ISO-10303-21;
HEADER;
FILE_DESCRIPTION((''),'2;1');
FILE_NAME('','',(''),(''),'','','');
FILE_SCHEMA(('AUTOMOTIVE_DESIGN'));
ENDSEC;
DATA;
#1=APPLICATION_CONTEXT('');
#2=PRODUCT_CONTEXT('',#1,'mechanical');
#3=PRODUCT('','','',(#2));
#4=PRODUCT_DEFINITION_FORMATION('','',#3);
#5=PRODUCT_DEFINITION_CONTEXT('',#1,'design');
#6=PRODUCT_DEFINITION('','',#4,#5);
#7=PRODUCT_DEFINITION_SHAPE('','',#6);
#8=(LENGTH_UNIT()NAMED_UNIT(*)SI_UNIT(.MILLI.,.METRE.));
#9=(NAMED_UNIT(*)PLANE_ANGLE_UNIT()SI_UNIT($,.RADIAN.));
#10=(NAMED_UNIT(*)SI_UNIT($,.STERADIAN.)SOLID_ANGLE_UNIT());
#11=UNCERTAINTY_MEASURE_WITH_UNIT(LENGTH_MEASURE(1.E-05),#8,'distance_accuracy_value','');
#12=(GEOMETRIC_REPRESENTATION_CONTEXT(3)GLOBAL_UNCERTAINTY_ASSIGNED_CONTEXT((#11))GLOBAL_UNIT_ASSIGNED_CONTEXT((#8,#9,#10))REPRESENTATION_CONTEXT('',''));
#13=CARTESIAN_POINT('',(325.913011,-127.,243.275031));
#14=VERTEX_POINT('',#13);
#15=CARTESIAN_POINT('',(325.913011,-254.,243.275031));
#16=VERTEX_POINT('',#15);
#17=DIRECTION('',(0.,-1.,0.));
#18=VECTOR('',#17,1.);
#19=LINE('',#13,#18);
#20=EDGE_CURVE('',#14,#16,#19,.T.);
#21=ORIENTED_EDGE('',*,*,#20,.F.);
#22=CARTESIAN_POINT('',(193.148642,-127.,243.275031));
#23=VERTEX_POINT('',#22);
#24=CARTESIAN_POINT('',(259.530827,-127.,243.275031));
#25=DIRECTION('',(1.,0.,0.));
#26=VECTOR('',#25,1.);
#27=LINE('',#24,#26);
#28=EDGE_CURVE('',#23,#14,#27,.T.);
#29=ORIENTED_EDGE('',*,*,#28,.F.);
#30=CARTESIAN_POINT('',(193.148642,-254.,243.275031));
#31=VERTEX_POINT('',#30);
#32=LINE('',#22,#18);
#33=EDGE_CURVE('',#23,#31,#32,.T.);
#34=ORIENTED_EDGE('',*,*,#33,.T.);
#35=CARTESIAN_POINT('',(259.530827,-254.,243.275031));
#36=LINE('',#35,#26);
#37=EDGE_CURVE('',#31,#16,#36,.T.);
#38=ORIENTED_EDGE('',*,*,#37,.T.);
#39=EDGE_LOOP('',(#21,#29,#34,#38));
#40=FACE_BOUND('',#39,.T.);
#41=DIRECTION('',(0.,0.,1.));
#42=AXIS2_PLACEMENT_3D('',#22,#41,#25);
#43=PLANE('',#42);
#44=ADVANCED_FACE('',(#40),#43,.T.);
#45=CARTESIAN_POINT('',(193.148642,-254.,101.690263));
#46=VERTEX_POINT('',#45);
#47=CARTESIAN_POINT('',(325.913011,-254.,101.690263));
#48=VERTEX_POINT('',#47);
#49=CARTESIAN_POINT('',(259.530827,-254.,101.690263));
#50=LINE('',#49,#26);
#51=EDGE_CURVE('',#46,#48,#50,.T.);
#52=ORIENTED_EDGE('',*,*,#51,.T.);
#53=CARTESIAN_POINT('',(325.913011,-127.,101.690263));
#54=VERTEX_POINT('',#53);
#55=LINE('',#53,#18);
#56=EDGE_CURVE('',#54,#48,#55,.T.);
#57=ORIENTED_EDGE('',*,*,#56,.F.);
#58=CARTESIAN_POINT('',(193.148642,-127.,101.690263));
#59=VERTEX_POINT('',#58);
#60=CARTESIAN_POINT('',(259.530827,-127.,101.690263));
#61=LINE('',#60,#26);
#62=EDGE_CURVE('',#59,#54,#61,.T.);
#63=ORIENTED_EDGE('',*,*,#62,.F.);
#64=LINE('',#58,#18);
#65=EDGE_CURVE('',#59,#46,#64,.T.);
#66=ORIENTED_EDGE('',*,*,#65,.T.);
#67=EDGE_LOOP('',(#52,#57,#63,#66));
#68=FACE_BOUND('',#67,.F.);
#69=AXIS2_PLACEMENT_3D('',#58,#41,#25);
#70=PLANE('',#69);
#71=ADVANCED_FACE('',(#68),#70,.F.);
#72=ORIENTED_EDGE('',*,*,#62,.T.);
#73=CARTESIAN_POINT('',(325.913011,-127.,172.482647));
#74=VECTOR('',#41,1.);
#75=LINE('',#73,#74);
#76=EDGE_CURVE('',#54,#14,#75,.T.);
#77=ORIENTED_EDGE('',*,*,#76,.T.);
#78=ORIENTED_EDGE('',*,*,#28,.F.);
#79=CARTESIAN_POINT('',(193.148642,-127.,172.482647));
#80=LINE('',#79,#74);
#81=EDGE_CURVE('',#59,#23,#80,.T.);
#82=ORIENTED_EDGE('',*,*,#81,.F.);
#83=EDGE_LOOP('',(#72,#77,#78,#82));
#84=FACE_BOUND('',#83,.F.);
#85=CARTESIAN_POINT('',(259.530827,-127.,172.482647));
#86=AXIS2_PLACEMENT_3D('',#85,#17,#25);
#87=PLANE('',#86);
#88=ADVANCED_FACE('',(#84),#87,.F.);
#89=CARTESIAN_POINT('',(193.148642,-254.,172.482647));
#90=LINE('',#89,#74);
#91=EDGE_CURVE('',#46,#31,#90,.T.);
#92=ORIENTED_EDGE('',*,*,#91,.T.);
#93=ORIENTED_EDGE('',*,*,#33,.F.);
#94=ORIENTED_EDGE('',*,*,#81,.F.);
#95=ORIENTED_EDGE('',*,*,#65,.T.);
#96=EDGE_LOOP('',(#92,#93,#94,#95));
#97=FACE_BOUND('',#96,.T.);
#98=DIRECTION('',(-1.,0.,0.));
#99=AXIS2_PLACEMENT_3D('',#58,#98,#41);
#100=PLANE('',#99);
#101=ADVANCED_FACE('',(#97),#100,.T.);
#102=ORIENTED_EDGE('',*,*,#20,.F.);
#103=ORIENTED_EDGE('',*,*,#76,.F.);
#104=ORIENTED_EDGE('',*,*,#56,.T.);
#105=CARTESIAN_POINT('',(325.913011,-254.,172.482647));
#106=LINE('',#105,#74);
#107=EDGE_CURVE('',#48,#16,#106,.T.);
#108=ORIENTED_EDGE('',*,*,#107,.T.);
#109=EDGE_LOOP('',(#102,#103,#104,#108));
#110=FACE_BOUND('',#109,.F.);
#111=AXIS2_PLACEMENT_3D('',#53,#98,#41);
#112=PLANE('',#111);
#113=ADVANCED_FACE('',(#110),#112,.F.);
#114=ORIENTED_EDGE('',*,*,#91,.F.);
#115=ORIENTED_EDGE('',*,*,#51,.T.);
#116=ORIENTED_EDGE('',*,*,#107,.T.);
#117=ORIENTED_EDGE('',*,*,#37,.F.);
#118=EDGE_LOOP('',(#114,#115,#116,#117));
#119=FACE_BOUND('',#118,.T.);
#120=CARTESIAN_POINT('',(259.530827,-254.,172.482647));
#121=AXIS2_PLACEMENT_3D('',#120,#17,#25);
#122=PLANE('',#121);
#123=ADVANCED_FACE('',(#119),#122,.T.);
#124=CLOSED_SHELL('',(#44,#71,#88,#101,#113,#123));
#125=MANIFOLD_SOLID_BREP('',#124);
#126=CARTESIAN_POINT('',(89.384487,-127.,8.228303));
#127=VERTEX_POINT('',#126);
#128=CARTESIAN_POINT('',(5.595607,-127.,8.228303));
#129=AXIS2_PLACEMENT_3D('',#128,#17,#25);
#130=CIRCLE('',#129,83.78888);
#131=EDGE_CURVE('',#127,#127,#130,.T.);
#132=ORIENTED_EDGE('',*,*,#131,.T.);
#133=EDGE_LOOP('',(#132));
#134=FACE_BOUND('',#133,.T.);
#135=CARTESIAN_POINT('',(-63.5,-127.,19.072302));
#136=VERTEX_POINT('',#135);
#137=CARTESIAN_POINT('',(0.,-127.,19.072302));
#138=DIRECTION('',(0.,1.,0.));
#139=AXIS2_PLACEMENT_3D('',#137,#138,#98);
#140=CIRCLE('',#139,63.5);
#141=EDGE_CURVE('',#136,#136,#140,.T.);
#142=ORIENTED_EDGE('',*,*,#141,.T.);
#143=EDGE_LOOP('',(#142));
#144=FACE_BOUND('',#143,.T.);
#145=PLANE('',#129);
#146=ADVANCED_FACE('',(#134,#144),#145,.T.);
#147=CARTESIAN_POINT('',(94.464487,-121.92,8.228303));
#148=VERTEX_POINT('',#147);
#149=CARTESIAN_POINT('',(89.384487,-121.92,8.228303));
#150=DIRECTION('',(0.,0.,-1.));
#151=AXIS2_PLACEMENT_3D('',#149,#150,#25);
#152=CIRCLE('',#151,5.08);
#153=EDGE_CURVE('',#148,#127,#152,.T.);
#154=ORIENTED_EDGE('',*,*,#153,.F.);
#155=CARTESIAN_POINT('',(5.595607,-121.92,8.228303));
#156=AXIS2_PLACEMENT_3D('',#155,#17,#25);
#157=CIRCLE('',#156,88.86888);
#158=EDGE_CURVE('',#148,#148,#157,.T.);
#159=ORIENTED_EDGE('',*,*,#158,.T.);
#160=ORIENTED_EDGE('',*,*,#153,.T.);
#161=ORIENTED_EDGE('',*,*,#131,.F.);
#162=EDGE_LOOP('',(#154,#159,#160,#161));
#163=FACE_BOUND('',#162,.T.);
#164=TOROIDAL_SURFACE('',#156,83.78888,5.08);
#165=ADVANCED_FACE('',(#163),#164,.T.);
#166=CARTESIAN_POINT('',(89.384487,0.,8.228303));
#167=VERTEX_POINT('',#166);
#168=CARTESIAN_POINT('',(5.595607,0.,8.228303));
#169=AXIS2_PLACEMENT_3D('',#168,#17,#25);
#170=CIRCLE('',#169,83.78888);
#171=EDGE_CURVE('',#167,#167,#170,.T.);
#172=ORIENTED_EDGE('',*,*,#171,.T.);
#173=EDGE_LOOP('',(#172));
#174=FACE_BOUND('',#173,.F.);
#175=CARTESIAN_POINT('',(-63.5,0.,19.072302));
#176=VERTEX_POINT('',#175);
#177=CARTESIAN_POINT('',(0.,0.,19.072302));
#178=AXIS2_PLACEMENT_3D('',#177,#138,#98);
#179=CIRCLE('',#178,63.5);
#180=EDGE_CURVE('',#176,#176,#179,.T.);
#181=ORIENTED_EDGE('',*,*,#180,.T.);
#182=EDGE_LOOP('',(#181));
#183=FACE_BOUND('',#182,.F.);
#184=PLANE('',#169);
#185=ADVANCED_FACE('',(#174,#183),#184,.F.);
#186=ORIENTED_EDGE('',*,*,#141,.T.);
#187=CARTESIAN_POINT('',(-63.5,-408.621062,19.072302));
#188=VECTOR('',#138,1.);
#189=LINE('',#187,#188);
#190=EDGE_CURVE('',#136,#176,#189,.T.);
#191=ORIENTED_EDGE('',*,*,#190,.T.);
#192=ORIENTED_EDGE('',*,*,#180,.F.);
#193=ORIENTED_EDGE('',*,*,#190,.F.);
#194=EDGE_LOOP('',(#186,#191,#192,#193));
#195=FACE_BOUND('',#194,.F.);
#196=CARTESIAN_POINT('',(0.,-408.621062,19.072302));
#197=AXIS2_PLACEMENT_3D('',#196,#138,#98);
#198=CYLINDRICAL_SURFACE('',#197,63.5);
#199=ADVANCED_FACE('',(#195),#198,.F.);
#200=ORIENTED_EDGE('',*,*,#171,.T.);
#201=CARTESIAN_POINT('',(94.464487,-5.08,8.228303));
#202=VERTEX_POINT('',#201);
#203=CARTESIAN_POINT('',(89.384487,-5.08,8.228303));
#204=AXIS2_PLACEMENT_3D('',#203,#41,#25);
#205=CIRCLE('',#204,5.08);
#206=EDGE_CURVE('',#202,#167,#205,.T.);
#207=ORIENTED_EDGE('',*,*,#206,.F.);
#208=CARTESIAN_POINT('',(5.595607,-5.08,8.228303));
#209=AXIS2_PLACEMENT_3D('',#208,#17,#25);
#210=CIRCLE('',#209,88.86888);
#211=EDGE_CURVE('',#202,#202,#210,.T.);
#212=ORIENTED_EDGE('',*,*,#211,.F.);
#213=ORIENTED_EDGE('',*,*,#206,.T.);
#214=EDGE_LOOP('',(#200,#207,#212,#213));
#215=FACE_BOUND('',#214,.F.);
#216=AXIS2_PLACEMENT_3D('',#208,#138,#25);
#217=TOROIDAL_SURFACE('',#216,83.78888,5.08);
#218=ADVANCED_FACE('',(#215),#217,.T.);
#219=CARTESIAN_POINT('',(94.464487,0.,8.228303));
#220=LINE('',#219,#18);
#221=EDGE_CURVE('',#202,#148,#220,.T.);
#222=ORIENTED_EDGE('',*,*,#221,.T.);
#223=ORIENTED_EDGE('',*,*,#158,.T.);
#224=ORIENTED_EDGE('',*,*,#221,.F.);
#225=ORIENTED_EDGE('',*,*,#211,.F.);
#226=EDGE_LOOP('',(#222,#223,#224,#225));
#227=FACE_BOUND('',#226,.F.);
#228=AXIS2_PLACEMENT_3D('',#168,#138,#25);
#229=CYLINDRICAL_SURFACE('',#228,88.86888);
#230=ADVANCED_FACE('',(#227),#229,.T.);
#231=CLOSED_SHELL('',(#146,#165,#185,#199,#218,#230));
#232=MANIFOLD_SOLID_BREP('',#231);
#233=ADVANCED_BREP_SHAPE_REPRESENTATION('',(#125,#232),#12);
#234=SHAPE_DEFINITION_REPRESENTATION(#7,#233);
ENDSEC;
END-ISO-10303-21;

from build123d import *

# Parameters (mm, degrees)
F0_R     = 88.86888
F1_DEPTH = 127
F2_R     = 5.08
F4_D     = 127
F5_W     = 132.764369
F5_H     = 141.584768
F6_DEPTH = 127


with BuildPart() as f1:
    # F0 (on Front) → F1 (new body)
    with BuildSketch(Plane.XZ):
        with Locations((5.595607, 8.228303)):
            Circle(F0_R)
    extrude(amount=F1_DEPTH)

    # F2
    f2_edges = [f1.edges().sort_by_distance(p)[0] for p in [
        (-83.273273, -127, 8.228303),
        (94.464488, -63.5, 8.228303),
        (-83.273273, 0, 8.228303),
    ]]
    fillet(f2_edges, radius=F2_R)

    # F4 (through all)
    with Locations(Plane.XZ.offset(127)):
        with Locations((0, 19.072302)):
            Hole(F4_D / 2)


with BuildPart() as f6:
    # F5 (on face) → F6 (new body)
    with BuildSketch(Plane.XZ.offset(127)):
        with Locations((259.530827, 172.482647)):
            Rectangle(F5_W, F5_H)
    extrude(amount=F6_DEPTH)


solid = Compound([f1.part, f6.part])
